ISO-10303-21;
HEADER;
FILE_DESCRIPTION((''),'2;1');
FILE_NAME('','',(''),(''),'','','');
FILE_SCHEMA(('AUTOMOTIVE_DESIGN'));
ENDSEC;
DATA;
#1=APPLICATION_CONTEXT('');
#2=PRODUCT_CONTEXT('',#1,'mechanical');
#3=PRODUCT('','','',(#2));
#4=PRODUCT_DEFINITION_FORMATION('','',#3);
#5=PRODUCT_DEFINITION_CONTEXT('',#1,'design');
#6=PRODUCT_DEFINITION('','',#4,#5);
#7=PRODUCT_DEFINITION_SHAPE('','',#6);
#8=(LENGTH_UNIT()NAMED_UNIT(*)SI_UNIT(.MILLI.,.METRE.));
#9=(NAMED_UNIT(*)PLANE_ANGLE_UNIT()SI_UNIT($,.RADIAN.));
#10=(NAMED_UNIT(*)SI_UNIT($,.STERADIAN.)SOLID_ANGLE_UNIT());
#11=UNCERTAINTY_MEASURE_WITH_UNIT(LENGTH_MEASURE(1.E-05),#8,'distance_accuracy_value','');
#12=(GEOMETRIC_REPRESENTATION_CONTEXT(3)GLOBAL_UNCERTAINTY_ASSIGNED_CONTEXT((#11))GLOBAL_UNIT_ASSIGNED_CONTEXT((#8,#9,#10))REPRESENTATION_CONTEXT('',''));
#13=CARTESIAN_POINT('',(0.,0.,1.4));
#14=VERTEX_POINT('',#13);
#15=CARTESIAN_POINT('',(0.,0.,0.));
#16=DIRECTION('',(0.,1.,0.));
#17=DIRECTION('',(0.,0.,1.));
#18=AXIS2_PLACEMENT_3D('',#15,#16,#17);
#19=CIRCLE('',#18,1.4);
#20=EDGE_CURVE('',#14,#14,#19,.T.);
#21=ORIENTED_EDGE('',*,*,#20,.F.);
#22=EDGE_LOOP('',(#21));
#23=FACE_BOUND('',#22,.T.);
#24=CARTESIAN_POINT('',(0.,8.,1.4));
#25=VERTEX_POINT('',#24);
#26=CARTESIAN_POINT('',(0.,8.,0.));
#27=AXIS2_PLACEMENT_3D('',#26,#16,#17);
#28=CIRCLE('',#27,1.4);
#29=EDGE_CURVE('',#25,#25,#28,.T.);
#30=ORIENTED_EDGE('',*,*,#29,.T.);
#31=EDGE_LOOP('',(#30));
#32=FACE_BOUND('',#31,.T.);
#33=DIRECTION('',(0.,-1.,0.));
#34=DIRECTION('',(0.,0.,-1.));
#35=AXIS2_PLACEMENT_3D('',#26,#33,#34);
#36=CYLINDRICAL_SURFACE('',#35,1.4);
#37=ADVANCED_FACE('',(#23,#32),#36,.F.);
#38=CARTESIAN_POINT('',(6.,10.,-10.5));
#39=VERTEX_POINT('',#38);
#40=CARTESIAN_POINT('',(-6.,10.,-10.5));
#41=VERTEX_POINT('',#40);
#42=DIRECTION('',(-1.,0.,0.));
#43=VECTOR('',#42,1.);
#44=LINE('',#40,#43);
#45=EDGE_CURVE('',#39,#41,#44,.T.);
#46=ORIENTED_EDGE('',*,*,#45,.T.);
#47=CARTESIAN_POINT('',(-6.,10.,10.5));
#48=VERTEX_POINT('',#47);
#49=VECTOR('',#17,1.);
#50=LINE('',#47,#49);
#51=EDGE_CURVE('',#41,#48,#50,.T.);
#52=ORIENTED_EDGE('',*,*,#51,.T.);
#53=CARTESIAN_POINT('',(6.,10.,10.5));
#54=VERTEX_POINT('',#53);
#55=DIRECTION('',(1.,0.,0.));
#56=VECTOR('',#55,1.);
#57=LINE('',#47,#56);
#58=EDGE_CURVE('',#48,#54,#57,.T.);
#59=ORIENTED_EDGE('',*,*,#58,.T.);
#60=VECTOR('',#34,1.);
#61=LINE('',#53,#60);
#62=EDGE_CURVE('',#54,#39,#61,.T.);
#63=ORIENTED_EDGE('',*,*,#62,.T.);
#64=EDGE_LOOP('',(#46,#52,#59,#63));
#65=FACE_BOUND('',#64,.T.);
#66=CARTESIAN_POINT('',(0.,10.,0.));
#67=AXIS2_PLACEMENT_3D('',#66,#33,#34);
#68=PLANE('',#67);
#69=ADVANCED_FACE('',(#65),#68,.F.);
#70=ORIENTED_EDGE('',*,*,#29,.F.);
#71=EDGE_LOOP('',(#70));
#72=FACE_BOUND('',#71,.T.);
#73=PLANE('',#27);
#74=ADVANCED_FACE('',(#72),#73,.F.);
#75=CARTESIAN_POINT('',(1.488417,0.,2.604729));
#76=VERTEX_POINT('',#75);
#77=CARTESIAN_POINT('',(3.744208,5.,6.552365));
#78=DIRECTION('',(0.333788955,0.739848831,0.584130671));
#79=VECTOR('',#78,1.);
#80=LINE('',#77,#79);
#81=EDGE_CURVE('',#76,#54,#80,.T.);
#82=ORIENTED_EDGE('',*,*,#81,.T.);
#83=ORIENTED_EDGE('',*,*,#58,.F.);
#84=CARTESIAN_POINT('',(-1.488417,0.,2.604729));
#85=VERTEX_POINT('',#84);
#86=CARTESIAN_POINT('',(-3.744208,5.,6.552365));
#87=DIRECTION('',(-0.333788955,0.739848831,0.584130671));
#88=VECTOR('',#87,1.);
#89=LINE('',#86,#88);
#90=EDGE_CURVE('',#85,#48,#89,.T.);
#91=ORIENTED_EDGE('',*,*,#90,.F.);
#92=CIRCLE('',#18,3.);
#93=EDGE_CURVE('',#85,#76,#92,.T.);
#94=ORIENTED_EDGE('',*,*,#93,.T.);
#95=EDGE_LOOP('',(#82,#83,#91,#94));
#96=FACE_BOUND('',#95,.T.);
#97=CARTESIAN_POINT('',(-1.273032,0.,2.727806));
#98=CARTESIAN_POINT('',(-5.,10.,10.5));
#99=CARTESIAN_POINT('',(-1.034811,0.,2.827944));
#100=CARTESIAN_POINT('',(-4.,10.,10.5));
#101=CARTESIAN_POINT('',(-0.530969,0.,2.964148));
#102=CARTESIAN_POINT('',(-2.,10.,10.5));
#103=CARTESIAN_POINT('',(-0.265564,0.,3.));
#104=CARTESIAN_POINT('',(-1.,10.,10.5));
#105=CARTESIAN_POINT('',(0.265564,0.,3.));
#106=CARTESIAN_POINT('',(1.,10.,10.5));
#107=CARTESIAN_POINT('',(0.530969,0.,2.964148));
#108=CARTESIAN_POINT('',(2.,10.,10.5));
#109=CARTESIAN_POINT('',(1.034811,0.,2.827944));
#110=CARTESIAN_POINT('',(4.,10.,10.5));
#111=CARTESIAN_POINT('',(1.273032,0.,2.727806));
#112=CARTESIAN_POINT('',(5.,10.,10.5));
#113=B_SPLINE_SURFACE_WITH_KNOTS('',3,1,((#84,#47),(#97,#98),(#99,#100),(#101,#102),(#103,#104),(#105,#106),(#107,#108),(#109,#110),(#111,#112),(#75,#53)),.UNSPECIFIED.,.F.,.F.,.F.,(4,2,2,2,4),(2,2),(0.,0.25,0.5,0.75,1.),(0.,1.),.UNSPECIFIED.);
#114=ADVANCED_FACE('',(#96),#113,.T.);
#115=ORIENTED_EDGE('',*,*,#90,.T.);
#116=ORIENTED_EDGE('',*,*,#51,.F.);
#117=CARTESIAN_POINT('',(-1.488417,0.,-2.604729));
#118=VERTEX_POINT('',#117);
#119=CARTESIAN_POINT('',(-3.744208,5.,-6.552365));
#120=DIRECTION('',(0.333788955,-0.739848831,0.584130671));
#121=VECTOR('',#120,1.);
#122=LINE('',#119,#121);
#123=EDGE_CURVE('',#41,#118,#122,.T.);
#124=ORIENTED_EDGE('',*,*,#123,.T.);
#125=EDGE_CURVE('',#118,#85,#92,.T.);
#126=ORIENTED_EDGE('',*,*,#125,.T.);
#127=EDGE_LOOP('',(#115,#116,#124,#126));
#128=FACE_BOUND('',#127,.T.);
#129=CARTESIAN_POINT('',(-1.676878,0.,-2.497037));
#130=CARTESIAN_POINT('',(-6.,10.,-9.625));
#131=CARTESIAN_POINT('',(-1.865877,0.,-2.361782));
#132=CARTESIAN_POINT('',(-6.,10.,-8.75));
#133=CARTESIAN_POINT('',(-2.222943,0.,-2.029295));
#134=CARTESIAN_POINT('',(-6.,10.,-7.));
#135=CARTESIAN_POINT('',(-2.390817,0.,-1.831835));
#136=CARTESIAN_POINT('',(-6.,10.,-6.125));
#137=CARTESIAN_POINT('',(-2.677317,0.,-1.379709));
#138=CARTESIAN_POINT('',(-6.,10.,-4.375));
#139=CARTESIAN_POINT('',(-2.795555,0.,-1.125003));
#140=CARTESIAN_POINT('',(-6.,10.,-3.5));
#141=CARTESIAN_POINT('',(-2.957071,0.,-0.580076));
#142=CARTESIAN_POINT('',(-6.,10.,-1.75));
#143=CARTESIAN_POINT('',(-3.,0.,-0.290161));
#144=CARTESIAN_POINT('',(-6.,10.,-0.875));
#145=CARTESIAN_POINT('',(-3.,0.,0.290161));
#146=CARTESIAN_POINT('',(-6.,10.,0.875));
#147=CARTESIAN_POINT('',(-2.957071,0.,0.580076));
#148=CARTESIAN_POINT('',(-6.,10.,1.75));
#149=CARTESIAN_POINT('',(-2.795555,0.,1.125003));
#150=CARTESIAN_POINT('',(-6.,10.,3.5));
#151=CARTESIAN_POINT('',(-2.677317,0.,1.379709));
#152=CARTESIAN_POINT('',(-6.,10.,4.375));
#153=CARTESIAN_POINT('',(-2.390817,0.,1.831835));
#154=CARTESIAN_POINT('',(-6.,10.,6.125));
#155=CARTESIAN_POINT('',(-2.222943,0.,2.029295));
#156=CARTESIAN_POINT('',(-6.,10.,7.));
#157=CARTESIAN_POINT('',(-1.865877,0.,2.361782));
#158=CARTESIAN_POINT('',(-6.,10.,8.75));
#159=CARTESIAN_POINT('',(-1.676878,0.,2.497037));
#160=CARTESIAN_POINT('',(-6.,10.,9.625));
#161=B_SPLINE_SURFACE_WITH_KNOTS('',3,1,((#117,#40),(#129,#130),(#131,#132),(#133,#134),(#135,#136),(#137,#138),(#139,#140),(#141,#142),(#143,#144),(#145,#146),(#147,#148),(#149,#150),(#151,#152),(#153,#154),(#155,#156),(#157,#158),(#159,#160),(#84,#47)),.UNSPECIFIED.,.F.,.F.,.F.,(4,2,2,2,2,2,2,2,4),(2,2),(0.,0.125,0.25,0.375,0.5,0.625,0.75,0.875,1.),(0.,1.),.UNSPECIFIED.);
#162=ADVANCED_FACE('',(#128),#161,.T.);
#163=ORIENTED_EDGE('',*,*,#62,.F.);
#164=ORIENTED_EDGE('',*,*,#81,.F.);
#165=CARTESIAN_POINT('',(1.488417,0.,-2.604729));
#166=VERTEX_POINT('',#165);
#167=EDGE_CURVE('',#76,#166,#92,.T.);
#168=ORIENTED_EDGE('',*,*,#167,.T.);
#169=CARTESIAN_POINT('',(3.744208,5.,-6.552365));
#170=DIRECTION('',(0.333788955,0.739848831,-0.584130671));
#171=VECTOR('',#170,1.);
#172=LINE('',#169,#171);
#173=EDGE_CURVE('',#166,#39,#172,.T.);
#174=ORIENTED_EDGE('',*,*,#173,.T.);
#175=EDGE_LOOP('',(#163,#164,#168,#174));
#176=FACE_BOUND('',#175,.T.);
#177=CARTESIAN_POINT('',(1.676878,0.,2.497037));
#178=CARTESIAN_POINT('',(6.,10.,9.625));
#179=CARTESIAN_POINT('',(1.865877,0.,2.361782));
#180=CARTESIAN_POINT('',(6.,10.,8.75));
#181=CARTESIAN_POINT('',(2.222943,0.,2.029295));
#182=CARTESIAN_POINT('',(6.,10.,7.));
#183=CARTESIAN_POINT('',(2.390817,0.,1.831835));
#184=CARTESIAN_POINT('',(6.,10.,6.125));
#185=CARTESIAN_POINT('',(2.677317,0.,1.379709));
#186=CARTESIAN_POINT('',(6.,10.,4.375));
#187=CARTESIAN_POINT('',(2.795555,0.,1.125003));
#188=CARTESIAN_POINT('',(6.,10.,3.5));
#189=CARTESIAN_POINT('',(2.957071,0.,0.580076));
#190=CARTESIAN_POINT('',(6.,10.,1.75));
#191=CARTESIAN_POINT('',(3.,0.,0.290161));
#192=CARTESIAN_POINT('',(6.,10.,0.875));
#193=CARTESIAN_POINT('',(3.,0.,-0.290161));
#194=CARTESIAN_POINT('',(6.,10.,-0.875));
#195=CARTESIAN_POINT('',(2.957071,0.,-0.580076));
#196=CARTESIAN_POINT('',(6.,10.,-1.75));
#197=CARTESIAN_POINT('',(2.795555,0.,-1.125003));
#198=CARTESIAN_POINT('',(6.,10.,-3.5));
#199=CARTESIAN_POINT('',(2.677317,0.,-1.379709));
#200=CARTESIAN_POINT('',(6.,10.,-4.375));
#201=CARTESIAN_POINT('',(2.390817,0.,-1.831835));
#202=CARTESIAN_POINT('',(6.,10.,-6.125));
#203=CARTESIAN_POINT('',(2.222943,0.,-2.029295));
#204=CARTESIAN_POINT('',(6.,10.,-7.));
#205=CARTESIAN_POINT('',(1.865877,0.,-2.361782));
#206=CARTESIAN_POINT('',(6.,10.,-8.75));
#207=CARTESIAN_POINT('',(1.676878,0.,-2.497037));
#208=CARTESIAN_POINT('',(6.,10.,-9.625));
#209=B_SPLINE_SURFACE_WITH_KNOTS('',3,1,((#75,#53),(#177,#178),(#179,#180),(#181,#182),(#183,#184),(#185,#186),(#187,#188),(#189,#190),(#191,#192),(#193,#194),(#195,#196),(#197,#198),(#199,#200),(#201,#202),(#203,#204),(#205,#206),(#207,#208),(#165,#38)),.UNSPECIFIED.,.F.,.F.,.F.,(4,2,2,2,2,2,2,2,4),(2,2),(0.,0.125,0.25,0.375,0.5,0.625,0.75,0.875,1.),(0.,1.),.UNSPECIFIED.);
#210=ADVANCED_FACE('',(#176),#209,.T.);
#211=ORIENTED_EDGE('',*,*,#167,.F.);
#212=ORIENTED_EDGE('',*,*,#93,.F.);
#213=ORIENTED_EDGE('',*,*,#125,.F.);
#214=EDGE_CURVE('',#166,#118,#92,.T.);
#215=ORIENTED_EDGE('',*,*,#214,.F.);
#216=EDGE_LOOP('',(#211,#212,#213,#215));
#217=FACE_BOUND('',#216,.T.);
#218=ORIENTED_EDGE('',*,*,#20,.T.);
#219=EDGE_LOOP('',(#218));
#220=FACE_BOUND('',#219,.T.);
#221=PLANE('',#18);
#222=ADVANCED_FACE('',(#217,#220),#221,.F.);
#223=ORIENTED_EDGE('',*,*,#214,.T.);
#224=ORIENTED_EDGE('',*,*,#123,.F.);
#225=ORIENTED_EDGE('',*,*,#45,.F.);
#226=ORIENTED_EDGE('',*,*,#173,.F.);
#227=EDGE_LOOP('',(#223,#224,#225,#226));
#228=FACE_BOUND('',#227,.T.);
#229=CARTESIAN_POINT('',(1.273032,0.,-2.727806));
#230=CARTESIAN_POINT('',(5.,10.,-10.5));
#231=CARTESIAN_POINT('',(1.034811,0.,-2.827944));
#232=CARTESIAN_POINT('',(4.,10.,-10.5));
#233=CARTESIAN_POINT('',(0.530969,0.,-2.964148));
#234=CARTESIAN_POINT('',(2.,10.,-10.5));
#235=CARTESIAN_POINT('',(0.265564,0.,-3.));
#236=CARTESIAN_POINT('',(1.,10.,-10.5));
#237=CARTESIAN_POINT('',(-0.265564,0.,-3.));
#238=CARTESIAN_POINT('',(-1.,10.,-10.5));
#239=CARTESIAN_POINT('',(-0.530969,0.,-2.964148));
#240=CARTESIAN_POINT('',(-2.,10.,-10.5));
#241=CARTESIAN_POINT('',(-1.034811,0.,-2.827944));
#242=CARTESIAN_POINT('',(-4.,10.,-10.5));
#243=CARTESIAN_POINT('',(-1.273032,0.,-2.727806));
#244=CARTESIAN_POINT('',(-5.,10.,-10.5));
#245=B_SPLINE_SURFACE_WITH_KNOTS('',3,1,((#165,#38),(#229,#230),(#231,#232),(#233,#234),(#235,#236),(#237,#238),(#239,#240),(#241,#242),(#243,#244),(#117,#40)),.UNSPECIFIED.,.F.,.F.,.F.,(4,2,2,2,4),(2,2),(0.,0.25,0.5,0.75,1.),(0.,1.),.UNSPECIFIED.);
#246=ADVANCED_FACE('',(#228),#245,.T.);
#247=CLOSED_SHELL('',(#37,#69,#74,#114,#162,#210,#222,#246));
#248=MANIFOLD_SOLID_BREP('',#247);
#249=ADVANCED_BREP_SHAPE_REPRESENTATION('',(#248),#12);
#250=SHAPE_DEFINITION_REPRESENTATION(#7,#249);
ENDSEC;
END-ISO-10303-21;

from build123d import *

# Parameters (mm, degrees)
SKETCH3_R          = 1.4
CUT_EXTRUDE1_DEPTH = 8


with BuildPart() as part:
    # Sketch1 for Loft2 → Loft2 section 0
    with BuildSketch(Plane(origin=(0, 0, 0), x_dir=(1, 0, 0), z_dir=(0, 1, 0))):
        with BuildLine():
            # circular arc as an exact rational Bezier (weights 1, cos(half-angle), 1)
            Bezier((-1.488416815, -2.604729426), (0, -3.455253321), (1.488416815, -2.604729426), weights=[1, 0.868243142, 1])
            Bezier((1.488416815, -2.604729426), (6.046693312, 0), (1.488416815, 2.604729426), weights=[1, 0.496138938, 1])
            Bezier((1.488416815, 2.604729426), (0, 3.455253321), (-1.488416815, 2.604729426), weights=[1, 0.868243142, 1])
            Bezier((-1.488416815, 2.604729426), (-6.046693312, 0), (-1.488416815, -2.604729426), weights=[1, 0.496138938, 1])
        make_face()
    # Sketch2 → Loft2 section 1
    with BuildSketch(Plane(origin=(0, 10, 0), x_dir=(1, 0, 0), z_dir=(0, 1, 0))):
        with BuildLine():
            Line((-6, -10.5), (6, -10.5))
            Line((6, -10.5), (6, 10.5))
            Line((6, 10.5), (-6, 10.5))
            Line((-6, 10.5), (-6, -10.5))
        make_face()
    loft()

    # Sketch3 → Cut-Extrude1 (cut)
    with BuildSketch(Plane(origin=(0, 0, 0), x_dir=(1, 0, 0), z_dir=(0, 1, 0))):
        with Locations(Location((0, 0, 0), (0, 0, 270))):
            Circle(SKETCH3_R)
    extrude(amount=CUT_EXTRUDE1_DEPTH, mode=Mode.SUBTRACT)


solid = part.part
